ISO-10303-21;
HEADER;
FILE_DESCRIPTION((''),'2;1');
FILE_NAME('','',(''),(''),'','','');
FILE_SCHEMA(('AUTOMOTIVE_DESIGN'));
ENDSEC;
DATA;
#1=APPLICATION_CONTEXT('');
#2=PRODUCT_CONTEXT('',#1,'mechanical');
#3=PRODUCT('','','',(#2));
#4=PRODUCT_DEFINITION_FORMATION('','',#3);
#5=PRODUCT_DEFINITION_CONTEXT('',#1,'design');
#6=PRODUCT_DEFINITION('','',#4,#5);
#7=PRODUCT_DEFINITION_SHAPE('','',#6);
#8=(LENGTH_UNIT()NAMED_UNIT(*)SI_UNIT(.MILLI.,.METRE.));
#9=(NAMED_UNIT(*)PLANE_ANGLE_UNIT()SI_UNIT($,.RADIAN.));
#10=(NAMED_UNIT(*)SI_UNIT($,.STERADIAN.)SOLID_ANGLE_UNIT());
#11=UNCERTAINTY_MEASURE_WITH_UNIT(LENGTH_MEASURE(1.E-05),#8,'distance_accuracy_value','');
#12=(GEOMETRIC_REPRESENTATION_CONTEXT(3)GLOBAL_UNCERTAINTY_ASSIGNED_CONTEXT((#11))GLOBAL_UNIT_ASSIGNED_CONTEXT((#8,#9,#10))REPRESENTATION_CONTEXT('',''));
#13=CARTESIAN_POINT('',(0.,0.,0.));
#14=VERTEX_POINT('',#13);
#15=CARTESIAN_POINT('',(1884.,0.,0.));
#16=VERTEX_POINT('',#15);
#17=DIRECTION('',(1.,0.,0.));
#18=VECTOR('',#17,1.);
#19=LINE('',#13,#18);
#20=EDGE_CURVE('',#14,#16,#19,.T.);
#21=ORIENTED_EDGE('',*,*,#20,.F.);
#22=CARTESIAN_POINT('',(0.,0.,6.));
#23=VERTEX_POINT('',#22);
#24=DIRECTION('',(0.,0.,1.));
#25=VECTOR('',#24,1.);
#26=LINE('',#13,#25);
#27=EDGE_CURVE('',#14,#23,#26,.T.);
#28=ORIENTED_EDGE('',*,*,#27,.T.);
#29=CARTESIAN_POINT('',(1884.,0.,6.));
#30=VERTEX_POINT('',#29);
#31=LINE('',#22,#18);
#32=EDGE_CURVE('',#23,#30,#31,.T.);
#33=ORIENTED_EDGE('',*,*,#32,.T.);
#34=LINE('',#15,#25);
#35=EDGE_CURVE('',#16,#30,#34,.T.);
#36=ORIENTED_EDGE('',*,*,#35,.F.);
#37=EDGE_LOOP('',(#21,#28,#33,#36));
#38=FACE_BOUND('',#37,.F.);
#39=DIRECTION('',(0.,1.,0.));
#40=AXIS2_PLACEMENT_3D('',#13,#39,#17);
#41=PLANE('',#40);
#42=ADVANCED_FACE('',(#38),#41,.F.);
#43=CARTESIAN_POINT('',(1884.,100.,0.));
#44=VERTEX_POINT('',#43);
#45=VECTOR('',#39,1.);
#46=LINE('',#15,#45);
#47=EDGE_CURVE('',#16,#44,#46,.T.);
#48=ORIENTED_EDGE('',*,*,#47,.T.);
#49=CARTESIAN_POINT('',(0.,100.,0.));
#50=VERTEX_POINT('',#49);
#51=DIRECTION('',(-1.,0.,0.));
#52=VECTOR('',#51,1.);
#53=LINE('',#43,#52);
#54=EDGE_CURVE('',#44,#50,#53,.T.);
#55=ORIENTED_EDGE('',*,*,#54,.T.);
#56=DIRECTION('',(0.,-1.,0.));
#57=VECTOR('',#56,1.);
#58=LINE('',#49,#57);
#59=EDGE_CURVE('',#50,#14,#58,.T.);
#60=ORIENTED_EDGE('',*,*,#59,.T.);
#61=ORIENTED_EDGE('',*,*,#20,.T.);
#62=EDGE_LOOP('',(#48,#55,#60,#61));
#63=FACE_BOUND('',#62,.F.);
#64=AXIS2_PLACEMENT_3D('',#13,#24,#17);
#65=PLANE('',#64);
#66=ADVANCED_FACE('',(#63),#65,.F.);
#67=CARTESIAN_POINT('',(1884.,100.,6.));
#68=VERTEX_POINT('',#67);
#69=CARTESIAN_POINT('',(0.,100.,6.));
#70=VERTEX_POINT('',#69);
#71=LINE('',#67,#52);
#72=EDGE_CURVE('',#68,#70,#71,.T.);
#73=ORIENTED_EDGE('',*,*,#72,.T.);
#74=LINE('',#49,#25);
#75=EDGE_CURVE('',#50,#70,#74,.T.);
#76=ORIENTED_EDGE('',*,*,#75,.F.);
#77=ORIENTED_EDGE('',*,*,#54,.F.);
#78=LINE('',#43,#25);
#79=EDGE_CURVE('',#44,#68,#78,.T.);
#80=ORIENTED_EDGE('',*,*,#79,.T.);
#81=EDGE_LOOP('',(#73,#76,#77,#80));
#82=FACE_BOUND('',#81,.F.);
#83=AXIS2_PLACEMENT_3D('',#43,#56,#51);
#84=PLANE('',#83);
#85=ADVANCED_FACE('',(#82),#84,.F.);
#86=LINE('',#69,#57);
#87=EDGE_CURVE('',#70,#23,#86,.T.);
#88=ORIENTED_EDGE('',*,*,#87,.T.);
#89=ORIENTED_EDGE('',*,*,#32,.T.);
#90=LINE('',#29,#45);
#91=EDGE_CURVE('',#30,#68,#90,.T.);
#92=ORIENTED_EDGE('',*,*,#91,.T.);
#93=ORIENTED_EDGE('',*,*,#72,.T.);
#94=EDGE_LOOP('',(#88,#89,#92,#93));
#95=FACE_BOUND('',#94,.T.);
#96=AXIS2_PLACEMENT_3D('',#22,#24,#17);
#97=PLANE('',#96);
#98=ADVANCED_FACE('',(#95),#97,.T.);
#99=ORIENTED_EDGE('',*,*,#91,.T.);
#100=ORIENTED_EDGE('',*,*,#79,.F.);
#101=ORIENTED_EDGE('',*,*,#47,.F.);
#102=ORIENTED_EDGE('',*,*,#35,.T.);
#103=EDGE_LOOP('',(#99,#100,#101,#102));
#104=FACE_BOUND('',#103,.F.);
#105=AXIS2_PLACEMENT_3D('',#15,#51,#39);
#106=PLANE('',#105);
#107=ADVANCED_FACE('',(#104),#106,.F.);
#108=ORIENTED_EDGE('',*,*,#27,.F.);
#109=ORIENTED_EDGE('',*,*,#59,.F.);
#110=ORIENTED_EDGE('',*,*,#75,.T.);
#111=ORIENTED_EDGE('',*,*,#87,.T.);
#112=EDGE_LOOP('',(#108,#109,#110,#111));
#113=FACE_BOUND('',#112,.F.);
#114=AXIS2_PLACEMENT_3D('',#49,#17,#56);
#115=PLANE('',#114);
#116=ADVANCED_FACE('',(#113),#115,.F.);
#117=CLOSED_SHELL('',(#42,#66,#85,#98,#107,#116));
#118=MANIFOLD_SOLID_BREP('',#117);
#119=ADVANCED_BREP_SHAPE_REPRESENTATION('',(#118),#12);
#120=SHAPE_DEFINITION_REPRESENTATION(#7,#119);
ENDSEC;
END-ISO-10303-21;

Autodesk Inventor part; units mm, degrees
ref_plane "YZ Plane" through (0, 0, 0) normal (1, 0, 0) x (0, 1, 0)
ref_plane "XZ Plane" through (0, 0, 0) normal (0, 1, 0) x (-1, 0, 0)
ref_plane "XY Plane" through (0, 0, 0) normal (0, 0, 1) x (1, 0, 0)
sketch "Sketch1" plane through (0, 0, 0) normal (0, 0, 1) x (1, 0, 0)
  line L0 (0, 0) -> (1884, 0)
  line L1 (1884, 0) -> (1884, 100)
  line L2 (1884, 100) -> (0, 100)
  line L3 (0, 100) -> (0, 0)
  dimension "d0" = 1884
  dimension "d1" = 100
extrude "Extrusion1" add sketch "Sketch1" along normal blind 6
equation "\"d0\" = trinbredde"
equation "\"d1\" = trinhoejde"
equation "\"pladetykkelse\" = 3"
equation "\"trappevinkel\" = 34.3deg"
equation "\"trappestifter_dia\" = 25"
equation "\"trappestifter_huldia\" = 25.8"
equation "\"trappestifter_skraa_huldia\" = 26.6"
equation "\"trappestifter_laengde\" = 228"
equation "\"perforeringsbredde\" = 6"
equation "\"perforeringshullaengde\" = 62.8"
equation "\"perforeringshullaengde_top\" = 61"
equation "\"perforeringshullaengde_bund\" = 61.6"
equation "\"perforeringsoffset\" = 8"
equation "\"perforeringsoffset_top\" = 8"
equation "\"perforeringsoffset_bund\" = 8"
equation "\"laskehul_dia\" = 13"
equation "\"balusterhul_udvidelse\" = 1"
equation "\"trinbredde\" = 1884"
equation "\"trinhoejde\" = 100"
properties part number "trinbrædt-justering" material "Wood (Birch)"
